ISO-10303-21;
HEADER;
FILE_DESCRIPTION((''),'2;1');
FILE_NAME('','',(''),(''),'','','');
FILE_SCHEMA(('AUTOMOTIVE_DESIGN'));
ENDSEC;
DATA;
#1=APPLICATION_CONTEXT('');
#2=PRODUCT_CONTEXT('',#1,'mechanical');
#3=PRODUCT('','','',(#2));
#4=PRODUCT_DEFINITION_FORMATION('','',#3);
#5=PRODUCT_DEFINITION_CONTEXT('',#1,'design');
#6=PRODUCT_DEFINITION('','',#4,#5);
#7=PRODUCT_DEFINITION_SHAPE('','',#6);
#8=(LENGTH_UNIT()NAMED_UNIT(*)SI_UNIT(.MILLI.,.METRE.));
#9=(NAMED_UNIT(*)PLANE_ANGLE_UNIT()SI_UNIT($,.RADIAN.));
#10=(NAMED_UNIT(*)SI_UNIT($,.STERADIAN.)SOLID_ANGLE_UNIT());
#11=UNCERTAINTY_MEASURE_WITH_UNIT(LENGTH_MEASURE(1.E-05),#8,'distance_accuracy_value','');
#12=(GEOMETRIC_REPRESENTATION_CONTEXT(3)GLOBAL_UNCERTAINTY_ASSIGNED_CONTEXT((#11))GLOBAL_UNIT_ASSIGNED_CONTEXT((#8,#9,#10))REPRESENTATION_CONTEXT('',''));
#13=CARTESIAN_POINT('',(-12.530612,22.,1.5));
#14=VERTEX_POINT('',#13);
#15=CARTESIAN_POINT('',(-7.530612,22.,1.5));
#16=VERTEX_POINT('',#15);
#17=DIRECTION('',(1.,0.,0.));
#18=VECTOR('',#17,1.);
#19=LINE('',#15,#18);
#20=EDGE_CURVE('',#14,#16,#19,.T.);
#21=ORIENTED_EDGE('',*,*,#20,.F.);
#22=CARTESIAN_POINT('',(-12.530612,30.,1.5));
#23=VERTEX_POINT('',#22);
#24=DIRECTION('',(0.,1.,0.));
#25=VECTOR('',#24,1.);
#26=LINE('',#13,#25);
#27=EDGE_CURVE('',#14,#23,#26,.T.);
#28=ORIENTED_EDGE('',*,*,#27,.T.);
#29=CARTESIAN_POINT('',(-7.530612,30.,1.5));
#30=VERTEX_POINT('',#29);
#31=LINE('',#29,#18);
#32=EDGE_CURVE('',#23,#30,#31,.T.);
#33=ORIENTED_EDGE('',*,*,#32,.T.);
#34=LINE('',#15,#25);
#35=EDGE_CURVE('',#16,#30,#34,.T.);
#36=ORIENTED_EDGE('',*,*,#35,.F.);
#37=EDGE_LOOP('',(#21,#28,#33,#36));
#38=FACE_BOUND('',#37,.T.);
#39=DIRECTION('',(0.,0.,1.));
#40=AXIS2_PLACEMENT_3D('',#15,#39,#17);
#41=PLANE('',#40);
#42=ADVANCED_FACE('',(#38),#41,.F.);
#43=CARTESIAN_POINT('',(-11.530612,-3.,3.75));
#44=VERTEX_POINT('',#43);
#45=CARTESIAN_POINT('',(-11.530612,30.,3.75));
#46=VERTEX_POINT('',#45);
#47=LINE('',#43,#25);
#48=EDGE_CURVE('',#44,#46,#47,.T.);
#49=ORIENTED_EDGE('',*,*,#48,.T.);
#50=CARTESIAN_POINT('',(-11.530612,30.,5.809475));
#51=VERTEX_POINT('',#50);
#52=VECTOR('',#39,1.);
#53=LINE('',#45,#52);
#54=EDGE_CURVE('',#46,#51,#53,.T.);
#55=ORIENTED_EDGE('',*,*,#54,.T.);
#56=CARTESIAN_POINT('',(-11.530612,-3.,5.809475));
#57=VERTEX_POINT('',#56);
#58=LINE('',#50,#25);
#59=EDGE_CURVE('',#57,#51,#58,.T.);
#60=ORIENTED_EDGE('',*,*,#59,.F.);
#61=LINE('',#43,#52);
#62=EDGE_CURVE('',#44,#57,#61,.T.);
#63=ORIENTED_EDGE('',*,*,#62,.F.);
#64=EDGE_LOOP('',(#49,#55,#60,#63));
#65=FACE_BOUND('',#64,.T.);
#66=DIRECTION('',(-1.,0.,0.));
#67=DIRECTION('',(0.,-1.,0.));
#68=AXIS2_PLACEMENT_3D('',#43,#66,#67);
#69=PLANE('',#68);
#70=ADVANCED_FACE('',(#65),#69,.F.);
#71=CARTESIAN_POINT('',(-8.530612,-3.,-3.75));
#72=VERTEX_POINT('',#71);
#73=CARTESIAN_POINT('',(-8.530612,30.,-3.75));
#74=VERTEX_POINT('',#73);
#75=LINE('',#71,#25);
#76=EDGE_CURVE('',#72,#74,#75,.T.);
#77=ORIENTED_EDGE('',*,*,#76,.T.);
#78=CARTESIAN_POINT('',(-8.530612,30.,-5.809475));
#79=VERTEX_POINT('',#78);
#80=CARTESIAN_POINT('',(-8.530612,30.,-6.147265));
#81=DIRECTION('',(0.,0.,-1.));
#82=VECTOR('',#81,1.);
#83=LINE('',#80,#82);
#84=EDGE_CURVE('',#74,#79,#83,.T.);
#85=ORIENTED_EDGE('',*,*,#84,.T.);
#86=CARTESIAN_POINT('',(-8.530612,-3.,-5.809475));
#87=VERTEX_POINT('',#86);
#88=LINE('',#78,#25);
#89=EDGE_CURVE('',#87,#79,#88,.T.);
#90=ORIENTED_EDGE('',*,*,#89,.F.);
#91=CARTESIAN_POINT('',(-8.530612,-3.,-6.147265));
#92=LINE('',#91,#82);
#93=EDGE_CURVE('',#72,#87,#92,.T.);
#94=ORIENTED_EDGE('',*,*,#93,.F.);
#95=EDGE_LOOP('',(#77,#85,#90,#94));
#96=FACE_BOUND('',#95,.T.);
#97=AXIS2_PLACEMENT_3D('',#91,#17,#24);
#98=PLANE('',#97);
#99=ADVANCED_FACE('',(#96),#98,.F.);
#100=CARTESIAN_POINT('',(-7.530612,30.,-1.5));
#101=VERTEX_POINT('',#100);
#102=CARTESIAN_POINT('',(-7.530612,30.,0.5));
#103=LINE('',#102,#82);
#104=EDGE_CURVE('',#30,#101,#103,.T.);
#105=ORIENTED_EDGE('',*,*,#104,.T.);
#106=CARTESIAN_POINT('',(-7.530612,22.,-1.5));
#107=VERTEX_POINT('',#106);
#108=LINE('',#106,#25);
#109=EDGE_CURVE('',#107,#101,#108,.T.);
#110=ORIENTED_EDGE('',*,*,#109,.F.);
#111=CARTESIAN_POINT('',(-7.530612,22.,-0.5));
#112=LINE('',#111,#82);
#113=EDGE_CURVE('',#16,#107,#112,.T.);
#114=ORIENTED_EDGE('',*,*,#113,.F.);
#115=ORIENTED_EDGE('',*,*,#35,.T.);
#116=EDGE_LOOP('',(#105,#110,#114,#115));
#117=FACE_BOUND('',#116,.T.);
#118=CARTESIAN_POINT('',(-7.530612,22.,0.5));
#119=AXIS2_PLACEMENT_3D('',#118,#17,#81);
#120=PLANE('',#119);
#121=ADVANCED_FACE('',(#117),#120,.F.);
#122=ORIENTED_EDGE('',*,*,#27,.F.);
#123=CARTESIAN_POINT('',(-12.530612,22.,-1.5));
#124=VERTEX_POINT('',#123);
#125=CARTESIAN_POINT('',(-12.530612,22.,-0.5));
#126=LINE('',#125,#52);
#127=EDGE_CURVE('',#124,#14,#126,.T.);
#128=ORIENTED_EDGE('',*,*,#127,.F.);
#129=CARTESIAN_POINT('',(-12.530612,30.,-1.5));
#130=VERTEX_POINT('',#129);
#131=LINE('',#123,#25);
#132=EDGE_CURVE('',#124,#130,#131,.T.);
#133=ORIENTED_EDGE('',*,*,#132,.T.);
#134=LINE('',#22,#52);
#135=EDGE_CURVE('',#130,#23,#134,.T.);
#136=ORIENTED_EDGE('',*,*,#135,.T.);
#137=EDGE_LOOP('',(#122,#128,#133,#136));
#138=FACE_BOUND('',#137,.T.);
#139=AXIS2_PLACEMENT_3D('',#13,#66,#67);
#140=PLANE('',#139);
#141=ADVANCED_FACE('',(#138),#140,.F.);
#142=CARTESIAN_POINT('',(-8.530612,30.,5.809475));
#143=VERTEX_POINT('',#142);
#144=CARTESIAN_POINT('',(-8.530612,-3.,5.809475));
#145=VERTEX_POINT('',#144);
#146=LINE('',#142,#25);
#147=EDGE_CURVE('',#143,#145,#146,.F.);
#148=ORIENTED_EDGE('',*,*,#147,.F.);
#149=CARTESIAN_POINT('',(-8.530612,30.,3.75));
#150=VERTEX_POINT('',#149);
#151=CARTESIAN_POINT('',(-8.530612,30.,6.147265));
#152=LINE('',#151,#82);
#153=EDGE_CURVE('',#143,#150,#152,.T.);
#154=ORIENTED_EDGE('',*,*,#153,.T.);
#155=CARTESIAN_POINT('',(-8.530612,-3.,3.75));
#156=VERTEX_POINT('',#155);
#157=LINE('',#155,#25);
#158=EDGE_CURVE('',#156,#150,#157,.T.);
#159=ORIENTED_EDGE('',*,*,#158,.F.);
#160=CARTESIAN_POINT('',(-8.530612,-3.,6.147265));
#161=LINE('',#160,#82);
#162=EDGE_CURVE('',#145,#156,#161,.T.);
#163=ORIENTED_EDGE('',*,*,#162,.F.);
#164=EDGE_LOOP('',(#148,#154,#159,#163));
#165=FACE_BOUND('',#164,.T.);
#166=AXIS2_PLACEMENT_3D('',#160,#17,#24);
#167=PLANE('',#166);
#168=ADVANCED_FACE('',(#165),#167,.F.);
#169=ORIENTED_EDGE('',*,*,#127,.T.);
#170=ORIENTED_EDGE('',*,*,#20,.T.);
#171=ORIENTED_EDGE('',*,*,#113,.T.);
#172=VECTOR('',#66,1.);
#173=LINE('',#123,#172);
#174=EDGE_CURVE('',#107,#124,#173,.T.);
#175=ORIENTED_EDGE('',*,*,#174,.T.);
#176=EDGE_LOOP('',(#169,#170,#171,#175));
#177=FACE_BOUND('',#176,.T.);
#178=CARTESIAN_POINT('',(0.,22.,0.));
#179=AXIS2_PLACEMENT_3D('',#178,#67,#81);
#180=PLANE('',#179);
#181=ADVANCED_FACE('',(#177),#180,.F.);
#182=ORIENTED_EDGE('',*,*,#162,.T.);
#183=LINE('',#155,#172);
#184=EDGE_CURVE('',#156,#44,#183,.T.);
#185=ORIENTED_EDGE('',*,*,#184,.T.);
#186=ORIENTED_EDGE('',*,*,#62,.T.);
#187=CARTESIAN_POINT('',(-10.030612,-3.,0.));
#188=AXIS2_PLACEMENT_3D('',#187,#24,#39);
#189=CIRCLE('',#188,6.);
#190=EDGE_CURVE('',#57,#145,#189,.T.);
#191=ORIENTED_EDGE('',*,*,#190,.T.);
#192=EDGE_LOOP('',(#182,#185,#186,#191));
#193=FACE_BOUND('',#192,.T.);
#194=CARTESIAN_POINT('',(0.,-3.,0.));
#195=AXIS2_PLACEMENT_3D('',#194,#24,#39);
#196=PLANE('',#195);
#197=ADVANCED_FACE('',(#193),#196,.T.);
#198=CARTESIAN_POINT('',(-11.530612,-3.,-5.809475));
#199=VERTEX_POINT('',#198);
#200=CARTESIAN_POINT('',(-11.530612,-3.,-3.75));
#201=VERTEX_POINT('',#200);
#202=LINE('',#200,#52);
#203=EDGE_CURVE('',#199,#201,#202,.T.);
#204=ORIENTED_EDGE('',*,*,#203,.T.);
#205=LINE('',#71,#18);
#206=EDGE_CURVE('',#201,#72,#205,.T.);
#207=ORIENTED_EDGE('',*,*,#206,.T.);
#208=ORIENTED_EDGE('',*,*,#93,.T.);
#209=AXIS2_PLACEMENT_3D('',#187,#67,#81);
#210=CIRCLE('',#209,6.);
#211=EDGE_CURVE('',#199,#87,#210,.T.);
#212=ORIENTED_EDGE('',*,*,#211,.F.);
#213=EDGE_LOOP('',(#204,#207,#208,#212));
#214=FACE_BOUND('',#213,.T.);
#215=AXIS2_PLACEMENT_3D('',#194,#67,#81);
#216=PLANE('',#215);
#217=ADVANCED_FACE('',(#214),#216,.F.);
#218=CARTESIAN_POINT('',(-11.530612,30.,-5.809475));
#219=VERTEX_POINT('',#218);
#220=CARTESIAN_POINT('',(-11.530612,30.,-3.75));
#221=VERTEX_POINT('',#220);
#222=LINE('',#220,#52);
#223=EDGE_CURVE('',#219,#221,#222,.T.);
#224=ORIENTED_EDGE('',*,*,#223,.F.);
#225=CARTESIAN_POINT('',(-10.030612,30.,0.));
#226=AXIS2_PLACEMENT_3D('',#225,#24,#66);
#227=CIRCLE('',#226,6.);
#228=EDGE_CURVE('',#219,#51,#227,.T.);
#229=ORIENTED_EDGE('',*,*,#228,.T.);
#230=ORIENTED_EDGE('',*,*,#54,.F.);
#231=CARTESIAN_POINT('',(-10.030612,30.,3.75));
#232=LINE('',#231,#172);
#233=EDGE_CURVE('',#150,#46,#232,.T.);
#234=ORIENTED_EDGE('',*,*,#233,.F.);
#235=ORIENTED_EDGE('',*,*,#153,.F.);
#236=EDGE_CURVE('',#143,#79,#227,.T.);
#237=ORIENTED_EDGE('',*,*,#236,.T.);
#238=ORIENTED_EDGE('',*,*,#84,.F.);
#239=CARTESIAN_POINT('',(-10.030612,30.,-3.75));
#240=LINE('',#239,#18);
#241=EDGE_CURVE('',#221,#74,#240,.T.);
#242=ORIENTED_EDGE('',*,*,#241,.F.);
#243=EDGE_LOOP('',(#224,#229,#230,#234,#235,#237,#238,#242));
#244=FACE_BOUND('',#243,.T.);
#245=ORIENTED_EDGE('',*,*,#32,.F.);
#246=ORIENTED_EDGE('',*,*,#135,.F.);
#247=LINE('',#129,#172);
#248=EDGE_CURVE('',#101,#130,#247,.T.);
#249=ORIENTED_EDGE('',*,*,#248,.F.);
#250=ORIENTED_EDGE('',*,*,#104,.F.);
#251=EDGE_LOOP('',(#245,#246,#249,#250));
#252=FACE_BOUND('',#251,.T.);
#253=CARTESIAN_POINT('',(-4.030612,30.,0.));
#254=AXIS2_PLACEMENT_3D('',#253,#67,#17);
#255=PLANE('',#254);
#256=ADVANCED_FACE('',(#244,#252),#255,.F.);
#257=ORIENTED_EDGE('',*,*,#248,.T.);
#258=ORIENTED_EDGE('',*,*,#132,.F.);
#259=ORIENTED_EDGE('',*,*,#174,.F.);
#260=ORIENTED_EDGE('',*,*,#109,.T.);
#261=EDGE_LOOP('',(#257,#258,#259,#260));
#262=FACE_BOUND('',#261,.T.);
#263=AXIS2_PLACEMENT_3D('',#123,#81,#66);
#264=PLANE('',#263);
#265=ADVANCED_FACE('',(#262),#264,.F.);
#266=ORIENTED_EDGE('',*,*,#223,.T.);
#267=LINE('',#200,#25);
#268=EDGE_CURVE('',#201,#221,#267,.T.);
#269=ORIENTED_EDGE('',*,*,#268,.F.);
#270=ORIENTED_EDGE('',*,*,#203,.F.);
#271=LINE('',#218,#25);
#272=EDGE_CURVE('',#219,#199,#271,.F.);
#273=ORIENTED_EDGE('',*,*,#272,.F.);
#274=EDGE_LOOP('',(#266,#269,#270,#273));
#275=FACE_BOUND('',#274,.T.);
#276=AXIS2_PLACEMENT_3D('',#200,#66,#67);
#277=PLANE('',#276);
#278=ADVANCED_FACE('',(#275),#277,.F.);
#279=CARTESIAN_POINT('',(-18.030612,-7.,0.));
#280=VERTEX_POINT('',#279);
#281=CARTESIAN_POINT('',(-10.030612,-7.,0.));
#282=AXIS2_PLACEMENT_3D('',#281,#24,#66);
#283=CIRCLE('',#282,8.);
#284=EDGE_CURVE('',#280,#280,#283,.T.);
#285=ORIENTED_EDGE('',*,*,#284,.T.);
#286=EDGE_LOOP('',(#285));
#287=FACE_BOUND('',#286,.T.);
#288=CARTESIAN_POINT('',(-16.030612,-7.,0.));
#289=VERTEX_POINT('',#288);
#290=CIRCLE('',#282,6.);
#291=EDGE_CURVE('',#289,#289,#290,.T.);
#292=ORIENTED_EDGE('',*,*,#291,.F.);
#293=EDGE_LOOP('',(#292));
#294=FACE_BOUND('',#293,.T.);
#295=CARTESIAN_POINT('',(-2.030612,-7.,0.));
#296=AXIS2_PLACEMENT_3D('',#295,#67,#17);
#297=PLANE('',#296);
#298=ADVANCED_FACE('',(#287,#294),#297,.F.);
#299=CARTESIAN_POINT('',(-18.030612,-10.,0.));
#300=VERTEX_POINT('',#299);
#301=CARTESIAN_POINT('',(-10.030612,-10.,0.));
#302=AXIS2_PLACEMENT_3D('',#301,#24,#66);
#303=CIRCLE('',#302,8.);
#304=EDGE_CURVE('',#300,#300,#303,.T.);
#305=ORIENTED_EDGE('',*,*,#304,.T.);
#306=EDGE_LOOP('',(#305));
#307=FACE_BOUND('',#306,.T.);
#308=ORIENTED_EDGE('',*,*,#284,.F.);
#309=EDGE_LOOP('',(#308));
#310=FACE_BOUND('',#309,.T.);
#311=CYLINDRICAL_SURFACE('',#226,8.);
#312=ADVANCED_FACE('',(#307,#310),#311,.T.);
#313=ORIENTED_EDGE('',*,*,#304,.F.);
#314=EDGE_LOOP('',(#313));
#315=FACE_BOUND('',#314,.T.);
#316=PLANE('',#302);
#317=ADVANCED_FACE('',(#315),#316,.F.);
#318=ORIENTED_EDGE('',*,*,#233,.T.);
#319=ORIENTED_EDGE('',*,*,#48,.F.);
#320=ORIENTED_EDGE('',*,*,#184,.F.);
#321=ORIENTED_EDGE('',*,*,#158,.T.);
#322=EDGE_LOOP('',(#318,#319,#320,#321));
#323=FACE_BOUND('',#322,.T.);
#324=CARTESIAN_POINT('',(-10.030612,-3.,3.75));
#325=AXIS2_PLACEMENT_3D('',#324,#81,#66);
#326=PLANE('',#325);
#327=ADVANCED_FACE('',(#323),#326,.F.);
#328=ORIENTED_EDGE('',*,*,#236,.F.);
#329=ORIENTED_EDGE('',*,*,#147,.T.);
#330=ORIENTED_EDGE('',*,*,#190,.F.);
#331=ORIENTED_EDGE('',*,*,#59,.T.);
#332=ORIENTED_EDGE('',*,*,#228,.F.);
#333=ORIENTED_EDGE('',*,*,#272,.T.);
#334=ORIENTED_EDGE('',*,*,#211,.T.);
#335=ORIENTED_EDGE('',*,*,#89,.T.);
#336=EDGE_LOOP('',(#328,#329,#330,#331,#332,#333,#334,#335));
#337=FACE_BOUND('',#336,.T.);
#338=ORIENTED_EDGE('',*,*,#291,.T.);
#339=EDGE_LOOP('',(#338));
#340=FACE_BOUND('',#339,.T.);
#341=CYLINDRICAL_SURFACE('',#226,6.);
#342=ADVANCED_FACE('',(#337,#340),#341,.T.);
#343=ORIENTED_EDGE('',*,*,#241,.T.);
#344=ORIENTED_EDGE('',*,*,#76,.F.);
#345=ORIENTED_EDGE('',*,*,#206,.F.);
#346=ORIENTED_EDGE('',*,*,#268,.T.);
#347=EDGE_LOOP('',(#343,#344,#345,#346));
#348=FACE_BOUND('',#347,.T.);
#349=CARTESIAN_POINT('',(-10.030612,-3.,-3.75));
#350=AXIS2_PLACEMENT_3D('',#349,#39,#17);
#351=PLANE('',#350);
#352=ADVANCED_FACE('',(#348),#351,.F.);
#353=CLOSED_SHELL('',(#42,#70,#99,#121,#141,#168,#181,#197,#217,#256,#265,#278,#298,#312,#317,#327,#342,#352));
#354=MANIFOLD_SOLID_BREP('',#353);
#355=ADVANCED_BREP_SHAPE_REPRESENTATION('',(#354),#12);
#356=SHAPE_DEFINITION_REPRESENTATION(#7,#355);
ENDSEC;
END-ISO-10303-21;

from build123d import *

# Parameters (mm, degrees)
ENL_V_MAT_EXTRU_4_DEPTH = 8
ENL_V_MAT_EXTRU_5_DEPTH = 33


with BuildPart() as part:
    # Esquisse4 → Révolution1 (revolve)
    with BuildSketch(Plane.XY):
        Polygon((-10.030612245, 30), (-10.030612245, -10), (-2.030612245, -10), (-2.030612245, -7), (-4.030612245, -7), (-4.030612245, 30), align=None)
    revolve(axis=Axis((-10.030612245, 30, 0), (0, -1, 0)))

    # Esquisse9 → Enlèv. mat.-Extru.4 (cut)
    with BuildSketch(Plane(origin=(0, 30, 0), x_dir=(1, 0, 0), z_dir=(0, 1, 0))):
        Polygon((-12.530612245, 1.5), (-7.530612245, 1.5), (-7.530612245, 0.5), (-7.530612245, -0.5), (-7.530612245, -1.5), (-12.530612245, -1.5), (-12.530612245, -0.5), (-12.530612245, 0.5), align=None)
    extrude(amount=-ENL_V_MAT_EXTRU_4_DEPTH, mode=Mode.SUBTRACT)

    # Esquisse11 → Enlèv. mat.-Extru.5 (cut)
    with BuildSketch(Plane(origin=(0, 30, 0), x_dir=(1, 0, 0), z_dir=(0, 1, 0))):
        Polygon((-10.030612245, 3.75), (-11.530612245, 3.75), (-11.530612245, 6.147265129), (-8.530612245, 6.147265129), (-8.530612245, 3.75), align=None)
        Polygon((-8.530612245, -3.75), (-10.030612245, -3.75), (-11.530612245, -3.75), (-11.530612245, -6.147265129), (-8.530612245, -6.147265129), align=None)
    extrude(amount=-ENL_V_MAT_EXTRU_5_DEPTH, mode=Mode.SUBTRACT)


solid = part.part
